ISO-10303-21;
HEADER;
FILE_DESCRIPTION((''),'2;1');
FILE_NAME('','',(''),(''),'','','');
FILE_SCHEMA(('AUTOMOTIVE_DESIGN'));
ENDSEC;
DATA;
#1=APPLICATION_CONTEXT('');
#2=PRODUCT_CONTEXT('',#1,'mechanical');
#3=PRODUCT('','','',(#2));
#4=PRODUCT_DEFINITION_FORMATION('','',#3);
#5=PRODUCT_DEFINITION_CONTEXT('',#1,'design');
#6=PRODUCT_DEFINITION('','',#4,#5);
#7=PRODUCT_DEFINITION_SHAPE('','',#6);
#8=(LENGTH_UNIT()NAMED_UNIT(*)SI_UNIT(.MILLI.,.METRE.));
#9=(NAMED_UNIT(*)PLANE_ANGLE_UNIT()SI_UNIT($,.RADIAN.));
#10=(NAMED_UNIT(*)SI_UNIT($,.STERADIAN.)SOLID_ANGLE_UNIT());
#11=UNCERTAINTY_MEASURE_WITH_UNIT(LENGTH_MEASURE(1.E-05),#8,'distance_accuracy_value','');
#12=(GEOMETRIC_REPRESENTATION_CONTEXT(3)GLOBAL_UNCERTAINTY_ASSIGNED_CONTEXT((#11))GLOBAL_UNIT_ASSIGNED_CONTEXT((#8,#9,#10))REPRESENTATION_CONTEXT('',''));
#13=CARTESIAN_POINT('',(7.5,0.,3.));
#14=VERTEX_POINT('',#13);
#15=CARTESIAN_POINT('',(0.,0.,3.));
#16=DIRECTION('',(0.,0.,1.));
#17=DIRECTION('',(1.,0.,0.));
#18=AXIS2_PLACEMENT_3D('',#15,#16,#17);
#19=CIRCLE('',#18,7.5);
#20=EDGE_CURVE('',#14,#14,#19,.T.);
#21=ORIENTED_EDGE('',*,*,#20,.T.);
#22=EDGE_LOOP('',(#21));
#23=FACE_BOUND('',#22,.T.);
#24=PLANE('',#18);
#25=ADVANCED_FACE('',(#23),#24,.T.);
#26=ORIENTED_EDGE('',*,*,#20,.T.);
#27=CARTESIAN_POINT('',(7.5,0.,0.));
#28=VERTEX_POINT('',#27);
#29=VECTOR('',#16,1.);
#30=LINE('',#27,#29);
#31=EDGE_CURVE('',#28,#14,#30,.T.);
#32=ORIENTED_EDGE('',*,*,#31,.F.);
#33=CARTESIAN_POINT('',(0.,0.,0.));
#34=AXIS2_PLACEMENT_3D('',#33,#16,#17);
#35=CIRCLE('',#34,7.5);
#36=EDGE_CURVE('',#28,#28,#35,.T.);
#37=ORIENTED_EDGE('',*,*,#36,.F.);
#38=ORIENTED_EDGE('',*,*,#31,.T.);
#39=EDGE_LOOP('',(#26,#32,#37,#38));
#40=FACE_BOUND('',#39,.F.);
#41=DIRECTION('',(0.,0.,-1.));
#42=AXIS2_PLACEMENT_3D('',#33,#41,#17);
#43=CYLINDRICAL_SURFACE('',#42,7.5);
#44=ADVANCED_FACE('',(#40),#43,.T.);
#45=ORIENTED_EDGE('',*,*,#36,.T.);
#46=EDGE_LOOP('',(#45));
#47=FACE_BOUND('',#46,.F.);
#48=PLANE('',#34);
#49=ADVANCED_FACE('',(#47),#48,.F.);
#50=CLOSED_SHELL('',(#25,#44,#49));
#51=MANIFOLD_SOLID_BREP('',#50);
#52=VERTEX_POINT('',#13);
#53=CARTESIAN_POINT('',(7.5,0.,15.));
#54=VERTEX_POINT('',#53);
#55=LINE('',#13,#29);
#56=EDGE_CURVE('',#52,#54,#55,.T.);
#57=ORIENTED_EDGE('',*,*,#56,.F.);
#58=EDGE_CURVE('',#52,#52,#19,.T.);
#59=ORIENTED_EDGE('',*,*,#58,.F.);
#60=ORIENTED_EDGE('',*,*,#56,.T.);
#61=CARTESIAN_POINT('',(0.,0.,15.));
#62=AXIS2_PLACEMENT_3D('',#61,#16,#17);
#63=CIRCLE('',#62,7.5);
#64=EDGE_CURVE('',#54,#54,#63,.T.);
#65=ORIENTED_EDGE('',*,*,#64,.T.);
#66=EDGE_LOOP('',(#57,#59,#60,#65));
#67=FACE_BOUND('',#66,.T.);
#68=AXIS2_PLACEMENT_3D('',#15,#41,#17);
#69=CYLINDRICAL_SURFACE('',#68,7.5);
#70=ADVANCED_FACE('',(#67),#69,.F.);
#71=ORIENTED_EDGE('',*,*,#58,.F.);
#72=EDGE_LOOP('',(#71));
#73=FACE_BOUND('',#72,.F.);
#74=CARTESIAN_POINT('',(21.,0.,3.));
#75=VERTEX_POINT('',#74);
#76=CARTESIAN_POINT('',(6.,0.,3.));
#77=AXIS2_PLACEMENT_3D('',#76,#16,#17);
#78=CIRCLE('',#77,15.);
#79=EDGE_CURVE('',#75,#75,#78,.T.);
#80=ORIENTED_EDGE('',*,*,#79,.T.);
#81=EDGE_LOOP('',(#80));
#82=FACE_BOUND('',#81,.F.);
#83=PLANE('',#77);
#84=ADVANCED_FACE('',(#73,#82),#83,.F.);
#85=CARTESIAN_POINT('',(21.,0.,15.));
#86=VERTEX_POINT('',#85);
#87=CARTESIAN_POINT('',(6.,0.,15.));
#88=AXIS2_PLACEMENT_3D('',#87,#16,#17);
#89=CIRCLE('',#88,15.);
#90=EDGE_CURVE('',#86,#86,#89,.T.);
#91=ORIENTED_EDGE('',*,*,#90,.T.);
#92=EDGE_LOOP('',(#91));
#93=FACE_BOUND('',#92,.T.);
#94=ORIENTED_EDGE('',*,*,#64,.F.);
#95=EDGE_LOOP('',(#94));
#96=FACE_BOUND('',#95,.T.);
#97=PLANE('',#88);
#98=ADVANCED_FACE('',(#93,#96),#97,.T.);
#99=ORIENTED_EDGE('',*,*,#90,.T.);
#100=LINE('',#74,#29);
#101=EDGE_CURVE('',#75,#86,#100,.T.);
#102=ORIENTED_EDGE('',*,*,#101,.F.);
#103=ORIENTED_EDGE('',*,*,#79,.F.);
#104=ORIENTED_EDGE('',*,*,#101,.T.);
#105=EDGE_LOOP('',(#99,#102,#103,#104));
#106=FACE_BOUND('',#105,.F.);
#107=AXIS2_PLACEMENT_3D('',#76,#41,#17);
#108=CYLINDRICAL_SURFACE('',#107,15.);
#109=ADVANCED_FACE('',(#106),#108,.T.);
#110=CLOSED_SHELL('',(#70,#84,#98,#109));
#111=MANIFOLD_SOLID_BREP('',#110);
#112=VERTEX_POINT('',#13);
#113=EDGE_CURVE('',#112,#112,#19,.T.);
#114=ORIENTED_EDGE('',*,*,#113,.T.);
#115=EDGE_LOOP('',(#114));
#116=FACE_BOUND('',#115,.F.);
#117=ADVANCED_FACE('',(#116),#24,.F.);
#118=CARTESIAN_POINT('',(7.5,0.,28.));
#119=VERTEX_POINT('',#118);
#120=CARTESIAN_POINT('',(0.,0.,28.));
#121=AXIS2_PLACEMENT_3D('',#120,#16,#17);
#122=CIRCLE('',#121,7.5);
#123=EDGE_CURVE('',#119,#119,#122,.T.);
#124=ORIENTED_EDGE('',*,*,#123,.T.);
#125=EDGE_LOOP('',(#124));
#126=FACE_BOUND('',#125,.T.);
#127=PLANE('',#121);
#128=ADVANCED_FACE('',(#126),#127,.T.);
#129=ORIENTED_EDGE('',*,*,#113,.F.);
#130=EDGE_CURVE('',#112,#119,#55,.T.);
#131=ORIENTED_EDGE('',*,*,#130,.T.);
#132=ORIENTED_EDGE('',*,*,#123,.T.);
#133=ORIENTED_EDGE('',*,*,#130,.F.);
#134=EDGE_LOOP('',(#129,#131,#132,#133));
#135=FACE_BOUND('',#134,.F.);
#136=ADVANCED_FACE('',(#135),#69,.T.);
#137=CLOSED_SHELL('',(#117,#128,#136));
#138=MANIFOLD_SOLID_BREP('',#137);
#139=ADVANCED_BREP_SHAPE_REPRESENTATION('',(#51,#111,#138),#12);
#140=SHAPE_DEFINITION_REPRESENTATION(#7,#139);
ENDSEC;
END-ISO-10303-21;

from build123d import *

# Parameters (mm, degrees)
F0_R     = 7.5
F1_DEPTH = 3
F2_R     = 15
F2_R_2   = 7.5
F3_DEPTH = 12
F4_R     = 7.5
F5_DEPTH = 25


with BuildPart() as f1:
    # F0 (on Top) → F1 (new body)
    with BuildSketch(Plane.XY):
        Circle(F0_R)
    extrude(amount=F1_DEPTH)


with BuildPart() as f3:
    # F2 (on face) → F3 (new body)
    with BuildSketch(Plane.XY.offset(3)):
        with Locations((6, 0)):
            Circle(F2_R)
        Circle(F2_R_2, mode=Mode.SUBTRACT)
    extrude(amount=F3_DEPTH)


with BuildPart() as f5:
    # F4 (on face) → F5 (new body)
    with BuildSketch(Plane.XY.offset(3)):
        Circle(F4_R)
    extrude(amount=F5_DEPTH)


solid = Compound([f1.part, f3.part, f5.part])
